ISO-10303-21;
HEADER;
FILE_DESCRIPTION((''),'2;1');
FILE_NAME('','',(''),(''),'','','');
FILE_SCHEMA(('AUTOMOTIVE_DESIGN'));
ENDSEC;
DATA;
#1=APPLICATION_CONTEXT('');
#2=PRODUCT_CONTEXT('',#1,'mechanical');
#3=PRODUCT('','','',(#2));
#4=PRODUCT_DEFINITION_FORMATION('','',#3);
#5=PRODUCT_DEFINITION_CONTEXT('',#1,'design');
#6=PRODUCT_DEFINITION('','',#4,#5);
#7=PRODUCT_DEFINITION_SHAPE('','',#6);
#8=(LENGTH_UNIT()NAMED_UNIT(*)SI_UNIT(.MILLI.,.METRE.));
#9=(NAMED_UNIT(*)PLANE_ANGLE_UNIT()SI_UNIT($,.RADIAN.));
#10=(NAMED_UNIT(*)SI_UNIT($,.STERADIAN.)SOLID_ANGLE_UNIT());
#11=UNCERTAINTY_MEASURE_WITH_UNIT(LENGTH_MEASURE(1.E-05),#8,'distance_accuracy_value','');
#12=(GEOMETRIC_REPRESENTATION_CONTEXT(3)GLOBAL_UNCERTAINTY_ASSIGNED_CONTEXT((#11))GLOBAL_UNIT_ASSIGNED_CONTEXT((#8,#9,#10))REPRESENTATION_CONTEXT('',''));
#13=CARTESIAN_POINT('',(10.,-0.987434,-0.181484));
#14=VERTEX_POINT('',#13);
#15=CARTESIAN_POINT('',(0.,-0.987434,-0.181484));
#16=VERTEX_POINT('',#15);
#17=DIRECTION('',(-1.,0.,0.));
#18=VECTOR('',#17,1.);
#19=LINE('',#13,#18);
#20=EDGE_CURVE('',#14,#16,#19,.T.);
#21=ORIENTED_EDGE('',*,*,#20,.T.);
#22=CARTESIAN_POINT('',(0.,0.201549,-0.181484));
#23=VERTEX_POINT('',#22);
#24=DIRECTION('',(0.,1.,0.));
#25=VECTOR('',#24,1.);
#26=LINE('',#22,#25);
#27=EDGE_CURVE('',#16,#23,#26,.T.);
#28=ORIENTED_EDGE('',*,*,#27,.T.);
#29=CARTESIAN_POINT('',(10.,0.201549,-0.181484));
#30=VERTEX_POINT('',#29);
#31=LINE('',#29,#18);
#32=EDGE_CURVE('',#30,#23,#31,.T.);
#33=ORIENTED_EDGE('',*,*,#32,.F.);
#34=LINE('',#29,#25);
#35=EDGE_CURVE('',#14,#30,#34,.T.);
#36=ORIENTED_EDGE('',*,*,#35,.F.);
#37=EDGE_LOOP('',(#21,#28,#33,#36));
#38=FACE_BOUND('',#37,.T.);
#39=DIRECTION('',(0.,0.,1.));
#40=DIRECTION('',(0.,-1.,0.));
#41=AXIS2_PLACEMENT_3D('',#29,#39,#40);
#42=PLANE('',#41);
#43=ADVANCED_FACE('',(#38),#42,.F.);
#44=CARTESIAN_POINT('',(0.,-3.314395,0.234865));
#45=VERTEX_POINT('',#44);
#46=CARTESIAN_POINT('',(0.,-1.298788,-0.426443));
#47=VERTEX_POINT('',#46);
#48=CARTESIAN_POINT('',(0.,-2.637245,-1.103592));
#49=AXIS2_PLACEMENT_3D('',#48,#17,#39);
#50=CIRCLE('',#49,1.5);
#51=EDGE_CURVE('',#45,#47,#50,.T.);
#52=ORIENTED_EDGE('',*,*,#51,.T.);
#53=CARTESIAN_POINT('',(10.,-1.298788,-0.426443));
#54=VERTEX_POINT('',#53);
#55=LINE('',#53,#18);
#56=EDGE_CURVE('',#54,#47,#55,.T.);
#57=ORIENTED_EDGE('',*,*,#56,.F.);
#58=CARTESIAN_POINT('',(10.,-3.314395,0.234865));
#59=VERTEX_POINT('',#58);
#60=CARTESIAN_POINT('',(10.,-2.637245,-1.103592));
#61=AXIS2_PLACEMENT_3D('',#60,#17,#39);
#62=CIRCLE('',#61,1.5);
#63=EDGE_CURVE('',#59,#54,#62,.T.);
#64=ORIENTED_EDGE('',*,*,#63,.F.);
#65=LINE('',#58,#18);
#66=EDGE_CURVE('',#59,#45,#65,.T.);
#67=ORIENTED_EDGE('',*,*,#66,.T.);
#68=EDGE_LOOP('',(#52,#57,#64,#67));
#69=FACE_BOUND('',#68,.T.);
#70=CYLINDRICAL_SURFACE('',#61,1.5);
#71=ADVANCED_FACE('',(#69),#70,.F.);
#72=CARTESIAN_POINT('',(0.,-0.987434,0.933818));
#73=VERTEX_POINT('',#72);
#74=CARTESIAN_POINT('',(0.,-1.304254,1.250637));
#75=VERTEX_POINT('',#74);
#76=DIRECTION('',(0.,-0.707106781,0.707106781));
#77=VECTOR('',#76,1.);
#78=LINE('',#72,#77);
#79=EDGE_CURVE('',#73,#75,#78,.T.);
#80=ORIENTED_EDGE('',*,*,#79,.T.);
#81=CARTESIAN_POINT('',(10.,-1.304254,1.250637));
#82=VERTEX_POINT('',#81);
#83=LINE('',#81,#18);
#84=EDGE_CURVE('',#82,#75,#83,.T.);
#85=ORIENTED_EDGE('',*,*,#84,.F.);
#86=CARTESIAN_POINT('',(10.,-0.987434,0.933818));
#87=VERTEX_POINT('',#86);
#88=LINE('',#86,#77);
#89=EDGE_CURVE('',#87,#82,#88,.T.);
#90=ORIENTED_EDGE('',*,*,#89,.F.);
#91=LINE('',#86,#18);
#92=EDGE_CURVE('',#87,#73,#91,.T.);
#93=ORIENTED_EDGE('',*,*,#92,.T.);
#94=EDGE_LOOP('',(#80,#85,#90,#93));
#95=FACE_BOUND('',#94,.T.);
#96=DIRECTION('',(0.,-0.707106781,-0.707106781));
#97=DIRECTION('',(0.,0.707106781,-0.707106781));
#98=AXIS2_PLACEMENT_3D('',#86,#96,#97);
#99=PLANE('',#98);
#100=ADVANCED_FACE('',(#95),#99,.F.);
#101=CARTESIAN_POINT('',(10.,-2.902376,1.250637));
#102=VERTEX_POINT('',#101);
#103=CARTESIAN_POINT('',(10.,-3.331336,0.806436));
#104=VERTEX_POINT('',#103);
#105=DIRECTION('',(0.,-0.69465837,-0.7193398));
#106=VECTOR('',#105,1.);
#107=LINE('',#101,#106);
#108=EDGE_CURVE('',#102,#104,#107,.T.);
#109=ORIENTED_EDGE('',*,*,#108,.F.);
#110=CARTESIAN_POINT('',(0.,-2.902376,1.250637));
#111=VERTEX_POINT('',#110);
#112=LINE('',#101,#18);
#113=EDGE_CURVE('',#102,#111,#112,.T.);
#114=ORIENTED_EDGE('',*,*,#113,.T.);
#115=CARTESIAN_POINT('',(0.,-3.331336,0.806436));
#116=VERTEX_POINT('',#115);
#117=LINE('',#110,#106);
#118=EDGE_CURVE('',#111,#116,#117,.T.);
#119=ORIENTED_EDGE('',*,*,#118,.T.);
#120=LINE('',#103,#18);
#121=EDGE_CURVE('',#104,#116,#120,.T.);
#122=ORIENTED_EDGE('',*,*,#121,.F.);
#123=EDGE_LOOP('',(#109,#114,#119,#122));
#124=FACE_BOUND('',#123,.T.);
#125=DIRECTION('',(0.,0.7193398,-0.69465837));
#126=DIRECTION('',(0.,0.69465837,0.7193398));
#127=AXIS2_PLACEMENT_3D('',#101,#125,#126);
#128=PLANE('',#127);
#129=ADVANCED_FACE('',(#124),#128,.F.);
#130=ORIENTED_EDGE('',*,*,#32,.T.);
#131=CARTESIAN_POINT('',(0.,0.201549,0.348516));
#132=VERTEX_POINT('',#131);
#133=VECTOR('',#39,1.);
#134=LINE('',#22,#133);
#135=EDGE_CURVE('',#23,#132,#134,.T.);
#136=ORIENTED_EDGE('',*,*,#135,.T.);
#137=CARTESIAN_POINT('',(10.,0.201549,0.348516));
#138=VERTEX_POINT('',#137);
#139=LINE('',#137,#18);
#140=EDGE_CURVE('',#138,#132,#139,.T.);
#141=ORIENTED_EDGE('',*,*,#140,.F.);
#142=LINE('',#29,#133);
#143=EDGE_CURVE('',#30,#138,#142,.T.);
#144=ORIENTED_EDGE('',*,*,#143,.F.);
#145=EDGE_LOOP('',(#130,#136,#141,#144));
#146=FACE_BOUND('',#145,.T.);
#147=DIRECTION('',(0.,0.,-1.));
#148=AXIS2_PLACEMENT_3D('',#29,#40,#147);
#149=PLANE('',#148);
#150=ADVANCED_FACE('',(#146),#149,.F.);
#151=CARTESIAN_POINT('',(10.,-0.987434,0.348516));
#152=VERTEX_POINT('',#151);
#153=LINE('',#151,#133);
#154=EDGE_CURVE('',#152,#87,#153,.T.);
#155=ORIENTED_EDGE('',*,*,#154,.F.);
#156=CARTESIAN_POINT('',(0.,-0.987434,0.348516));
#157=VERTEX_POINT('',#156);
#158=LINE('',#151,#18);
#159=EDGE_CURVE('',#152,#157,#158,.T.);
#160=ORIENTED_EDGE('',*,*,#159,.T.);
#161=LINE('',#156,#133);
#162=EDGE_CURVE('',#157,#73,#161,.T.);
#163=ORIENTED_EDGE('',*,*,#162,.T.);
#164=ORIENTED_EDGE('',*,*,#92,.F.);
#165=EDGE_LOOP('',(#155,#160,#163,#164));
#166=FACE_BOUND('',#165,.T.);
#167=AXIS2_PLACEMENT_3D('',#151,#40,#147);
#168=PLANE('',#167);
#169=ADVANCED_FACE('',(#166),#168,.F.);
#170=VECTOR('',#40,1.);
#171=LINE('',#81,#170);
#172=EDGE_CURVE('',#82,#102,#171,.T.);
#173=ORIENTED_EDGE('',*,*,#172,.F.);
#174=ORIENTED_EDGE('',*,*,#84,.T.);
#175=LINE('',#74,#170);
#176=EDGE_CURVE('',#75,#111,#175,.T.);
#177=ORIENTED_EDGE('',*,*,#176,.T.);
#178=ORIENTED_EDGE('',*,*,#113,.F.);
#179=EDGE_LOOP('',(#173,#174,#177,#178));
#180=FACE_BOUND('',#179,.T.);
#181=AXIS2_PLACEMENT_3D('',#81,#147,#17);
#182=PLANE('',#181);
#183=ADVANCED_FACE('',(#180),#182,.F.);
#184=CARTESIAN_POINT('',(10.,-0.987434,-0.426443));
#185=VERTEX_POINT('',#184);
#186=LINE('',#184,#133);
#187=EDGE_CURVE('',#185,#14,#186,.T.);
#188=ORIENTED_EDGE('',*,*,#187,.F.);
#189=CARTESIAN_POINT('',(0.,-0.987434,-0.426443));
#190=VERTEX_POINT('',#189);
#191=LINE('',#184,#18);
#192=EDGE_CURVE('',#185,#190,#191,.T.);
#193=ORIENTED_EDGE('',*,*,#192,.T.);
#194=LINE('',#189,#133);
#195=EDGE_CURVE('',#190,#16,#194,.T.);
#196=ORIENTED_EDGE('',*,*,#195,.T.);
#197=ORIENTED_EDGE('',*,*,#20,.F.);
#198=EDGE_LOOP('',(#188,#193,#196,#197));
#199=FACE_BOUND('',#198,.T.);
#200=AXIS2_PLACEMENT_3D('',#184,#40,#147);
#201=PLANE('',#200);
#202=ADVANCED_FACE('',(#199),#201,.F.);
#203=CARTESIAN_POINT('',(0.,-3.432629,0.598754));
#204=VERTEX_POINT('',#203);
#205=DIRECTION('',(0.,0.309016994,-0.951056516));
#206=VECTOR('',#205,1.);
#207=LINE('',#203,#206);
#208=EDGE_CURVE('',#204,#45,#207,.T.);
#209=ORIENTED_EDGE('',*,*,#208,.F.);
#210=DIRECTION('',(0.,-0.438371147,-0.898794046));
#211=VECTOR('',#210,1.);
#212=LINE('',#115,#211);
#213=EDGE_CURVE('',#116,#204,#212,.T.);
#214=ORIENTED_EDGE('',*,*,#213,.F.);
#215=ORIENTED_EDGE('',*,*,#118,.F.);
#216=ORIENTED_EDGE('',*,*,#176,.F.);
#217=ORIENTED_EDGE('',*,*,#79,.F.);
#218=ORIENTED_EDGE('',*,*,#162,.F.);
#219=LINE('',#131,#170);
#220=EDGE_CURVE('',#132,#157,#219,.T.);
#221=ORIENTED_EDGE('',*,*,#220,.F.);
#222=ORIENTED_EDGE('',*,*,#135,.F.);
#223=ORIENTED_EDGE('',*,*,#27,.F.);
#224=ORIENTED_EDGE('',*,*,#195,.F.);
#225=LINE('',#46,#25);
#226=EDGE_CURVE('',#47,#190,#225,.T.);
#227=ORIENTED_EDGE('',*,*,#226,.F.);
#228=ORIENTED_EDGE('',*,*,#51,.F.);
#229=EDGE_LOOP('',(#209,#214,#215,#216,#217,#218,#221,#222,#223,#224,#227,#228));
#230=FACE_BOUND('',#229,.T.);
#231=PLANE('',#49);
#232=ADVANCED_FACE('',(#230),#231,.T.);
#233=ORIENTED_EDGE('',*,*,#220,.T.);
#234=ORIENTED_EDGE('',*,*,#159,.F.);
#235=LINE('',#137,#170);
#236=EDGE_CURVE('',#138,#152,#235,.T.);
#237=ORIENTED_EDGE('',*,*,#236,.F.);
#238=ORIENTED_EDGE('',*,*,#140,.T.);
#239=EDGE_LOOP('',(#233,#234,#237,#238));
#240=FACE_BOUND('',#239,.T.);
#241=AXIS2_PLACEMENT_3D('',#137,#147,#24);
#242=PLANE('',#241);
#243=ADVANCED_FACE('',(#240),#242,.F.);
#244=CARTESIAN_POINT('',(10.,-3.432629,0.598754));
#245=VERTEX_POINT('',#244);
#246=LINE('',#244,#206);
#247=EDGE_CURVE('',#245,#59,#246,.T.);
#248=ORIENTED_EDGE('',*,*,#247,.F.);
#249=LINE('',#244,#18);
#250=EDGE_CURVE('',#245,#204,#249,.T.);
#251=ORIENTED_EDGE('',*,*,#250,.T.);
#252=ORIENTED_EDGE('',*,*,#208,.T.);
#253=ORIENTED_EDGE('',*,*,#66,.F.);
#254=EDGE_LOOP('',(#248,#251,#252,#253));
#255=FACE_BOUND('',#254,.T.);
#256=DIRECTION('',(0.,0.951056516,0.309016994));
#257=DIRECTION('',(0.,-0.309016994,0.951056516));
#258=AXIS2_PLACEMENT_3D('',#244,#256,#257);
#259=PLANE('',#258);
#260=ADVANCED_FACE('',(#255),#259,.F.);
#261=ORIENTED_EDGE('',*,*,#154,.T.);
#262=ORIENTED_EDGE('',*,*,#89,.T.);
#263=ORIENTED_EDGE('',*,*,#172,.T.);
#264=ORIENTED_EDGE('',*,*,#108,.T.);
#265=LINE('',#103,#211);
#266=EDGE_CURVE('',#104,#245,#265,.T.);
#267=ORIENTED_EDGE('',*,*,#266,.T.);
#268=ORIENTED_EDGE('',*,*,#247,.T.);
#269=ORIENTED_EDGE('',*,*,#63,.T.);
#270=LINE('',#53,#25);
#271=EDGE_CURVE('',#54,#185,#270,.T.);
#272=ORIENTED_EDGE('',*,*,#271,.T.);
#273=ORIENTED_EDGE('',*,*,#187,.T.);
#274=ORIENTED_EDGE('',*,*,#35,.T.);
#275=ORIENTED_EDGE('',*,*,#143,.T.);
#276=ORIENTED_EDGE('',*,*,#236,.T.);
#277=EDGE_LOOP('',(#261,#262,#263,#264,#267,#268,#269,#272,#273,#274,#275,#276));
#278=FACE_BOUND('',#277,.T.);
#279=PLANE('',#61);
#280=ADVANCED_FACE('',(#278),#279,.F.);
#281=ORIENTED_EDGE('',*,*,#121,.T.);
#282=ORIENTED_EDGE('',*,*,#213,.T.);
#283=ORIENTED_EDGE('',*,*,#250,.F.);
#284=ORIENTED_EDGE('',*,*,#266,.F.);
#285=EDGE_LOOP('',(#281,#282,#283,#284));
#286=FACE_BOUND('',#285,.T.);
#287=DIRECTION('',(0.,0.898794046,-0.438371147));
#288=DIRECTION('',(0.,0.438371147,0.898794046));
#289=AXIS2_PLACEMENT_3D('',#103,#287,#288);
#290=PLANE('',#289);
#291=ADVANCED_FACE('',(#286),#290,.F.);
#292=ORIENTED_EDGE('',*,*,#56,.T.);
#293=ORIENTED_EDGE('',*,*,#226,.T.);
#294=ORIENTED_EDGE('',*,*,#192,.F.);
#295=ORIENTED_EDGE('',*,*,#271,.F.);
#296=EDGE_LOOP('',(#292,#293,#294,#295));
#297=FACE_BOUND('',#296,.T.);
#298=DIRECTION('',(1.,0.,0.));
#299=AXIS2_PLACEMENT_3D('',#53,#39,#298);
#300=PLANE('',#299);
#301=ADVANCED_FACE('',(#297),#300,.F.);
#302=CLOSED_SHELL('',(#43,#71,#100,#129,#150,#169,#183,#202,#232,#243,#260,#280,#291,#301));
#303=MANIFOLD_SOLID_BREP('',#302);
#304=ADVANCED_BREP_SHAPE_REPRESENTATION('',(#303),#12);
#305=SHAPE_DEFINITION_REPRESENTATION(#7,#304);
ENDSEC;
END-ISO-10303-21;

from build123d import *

# Parameters (mm, degrees)
BOSS_EXTRUDE2_DEPTH = 10


with BuildPart() as part:
    # Sketch1 → Boss-Extrude2 (new body)
    with BuildSketch(Plane(origin=(0, 0, 0), x_dir=(0, 0, -1), z_dir=(1, 0, 0))):
        with BuildLine():
            Line((0.181484262, 0.201549296), (-0.348515738, 0.201549296))
            Line((-0.348515738, 0.201549296), (-0.348515738, -0.987434189))
            Line((-0.348515738, -0.987434189), (-0.933817853, -0.987434189))
            Line((-0.933817853, -0.987434189), (-1.25063724, -1.304253576))
            Line((-1.25063724, -1.304253576), (-1.25063724, -2.902375908))
            Line((-1.25063724, -2.902375908), (-0.806436057, -3.331336004))
            Line((-0.806436057, -3.331336004), (-0.598754104, -3.432629261))
            Line((-0.598754104, -3.432629261), (-0.234865404, -3.314394655))
            ThreePointArc((-0.234865404, -3.314394655), (-0.321657185, -2.169629757), (0.42644278, -1.298787678))
            Line((0.42644278, -1.298787678), (0.42644278, -0.987434189))
            Line((0.42644278, -0.987434189), (0.181484262, -0.987434189))
            Line((0.181484262, -0.987434189), (0.181484262, 0.201549296))
        make_face()
    extrude(amount=BOSS_EXTRUDE2_DEPTH)


solid = part.part
